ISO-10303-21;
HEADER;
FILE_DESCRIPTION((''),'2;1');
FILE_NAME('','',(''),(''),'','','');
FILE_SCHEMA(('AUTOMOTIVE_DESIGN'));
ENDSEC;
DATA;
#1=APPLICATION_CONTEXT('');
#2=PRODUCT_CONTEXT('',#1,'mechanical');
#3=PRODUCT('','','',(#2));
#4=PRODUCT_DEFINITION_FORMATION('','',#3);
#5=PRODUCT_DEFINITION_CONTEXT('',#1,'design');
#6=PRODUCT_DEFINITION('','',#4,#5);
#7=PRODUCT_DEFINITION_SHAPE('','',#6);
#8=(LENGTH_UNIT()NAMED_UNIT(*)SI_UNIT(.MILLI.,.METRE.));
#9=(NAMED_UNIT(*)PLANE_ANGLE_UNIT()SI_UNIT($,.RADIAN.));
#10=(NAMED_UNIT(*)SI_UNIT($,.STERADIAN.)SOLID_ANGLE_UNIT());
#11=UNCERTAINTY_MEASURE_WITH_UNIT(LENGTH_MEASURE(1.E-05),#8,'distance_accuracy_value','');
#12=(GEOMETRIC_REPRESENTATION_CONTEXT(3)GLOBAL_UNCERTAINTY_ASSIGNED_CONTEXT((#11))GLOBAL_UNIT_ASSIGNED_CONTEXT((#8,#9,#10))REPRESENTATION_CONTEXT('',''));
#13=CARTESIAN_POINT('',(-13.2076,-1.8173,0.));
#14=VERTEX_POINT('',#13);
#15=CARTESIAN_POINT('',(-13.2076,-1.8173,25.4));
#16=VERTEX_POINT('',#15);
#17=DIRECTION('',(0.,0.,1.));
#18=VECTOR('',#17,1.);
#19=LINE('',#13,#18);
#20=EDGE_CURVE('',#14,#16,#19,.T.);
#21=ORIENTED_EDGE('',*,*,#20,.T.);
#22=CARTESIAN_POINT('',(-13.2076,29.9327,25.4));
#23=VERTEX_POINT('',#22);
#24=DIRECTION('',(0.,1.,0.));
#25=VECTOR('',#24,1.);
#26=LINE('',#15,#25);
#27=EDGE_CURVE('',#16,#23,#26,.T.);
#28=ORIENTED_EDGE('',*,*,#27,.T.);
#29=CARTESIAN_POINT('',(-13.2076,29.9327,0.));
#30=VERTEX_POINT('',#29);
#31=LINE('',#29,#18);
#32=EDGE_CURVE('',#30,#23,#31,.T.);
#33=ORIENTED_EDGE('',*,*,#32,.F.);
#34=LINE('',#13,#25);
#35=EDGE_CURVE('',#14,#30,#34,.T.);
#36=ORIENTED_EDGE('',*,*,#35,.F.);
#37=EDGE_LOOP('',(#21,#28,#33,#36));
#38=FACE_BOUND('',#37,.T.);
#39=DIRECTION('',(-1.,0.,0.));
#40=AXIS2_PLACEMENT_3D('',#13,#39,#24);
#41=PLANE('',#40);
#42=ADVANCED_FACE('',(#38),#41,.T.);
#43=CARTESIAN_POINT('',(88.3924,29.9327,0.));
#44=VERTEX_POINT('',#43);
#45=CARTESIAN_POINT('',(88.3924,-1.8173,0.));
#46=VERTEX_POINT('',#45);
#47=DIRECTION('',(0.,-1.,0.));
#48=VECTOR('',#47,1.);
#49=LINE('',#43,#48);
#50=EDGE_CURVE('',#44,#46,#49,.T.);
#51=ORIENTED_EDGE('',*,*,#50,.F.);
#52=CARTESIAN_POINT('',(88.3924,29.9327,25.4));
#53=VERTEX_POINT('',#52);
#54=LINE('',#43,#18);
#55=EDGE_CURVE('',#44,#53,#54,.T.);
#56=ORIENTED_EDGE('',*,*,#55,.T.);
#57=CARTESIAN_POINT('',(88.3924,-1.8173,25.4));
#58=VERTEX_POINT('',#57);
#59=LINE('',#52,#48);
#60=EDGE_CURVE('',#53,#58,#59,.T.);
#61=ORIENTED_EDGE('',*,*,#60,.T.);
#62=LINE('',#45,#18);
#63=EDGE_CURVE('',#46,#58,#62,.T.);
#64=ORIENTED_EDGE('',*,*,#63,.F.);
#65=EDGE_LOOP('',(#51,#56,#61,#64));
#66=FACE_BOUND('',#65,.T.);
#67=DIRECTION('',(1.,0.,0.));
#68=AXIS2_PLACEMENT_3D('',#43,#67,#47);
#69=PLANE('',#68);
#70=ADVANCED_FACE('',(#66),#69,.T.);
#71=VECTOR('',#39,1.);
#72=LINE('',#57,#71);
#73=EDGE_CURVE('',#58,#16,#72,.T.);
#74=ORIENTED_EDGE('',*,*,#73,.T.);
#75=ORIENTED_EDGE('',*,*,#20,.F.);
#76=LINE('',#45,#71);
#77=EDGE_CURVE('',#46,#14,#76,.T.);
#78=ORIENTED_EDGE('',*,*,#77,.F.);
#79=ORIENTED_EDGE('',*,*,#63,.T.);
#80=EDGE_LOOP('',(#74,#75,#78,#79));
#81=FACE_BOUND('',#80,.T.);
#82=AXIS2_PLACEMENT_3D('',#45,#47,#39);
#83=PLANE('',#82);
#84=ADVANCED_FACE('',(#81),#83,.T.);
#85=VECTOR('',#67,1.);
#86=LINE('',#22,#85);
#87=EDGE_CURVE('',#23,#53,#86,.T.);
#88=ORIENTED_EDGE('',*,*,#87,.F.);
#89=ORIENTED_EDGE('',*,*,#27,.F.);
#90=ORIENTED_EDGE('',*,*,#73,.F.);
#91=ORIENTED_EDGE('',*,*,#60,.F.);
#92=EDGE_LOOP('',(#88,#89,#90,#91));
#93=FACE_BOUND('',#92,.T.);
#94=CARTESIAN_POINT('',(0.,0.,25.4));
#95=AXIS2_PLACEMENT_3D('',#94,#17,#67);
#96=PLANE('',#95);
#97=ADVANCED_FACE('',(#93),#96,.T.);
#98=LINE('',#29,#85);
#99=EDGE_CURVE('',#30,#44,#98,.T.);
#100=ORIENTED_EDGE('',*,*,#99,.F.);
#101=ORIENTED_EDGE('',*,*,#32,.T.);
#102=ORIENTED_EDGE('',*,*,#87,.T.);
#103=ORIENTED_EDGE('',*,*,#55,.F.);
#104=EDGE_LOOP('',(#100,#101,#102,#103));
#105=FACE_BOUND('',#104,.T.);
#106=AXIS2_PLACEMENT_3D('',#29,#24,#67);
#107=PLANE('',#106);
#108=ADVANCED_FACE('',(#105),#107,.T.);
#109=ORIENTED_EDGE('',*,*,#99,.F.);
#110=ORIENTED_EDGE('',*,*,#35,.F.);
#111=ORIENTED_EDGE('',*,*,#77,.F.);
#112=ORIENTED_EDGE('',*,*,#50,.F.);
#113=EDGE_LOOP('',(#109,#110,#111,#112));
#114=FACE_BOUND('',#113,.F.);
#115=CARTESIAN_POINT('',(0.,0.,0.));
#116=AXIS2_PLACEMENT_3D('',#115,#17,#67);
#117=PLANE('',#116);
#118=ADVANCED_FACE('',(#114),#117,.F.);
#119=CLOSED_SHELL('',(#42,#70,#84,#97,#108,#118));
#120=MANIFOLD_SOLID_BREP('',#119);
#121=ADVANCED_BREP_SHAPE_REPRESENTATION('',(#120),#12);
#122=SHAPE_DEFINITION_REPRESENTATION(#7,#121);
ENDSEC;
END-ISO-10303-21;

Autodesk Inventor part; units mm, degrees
ref_plane "YZ Plane" through (0, 0, 0) normal (1, 0, 0) x (0, 1, 0)
ref_plane "XZ Plane" through (0, 0, 0) normal (0, 1, 0) x (-1, 0, 0)
ref_plane "XY Plane" through (0, 0, 0) normal (0, 0, 1) x (1, 0, 0)
sketch "Sketch1" plane through (0, 0, 0) normal (0, 0, 1) x (1, 0, 0)
  line L0 (-13.2076, 29.9327) -> (88.3924, 29.9327)
  line L1 (88.3924, 29.9327) -> (88.3924, -1.8173)
  line L2 (88.3924, -1.8173) -> (-13.2076, -1.8173)
  line L3 (-13.2076, -1.8173) -> (-13.2076, 29.9327)
  point P0 (0, 0)
  dimension "d0" = 101.6
  dimension "d1" = 31.75
extrude "Extrusion1" add sketch "Sketch1" along normal blind 25.4
properties part number "4 x1"
